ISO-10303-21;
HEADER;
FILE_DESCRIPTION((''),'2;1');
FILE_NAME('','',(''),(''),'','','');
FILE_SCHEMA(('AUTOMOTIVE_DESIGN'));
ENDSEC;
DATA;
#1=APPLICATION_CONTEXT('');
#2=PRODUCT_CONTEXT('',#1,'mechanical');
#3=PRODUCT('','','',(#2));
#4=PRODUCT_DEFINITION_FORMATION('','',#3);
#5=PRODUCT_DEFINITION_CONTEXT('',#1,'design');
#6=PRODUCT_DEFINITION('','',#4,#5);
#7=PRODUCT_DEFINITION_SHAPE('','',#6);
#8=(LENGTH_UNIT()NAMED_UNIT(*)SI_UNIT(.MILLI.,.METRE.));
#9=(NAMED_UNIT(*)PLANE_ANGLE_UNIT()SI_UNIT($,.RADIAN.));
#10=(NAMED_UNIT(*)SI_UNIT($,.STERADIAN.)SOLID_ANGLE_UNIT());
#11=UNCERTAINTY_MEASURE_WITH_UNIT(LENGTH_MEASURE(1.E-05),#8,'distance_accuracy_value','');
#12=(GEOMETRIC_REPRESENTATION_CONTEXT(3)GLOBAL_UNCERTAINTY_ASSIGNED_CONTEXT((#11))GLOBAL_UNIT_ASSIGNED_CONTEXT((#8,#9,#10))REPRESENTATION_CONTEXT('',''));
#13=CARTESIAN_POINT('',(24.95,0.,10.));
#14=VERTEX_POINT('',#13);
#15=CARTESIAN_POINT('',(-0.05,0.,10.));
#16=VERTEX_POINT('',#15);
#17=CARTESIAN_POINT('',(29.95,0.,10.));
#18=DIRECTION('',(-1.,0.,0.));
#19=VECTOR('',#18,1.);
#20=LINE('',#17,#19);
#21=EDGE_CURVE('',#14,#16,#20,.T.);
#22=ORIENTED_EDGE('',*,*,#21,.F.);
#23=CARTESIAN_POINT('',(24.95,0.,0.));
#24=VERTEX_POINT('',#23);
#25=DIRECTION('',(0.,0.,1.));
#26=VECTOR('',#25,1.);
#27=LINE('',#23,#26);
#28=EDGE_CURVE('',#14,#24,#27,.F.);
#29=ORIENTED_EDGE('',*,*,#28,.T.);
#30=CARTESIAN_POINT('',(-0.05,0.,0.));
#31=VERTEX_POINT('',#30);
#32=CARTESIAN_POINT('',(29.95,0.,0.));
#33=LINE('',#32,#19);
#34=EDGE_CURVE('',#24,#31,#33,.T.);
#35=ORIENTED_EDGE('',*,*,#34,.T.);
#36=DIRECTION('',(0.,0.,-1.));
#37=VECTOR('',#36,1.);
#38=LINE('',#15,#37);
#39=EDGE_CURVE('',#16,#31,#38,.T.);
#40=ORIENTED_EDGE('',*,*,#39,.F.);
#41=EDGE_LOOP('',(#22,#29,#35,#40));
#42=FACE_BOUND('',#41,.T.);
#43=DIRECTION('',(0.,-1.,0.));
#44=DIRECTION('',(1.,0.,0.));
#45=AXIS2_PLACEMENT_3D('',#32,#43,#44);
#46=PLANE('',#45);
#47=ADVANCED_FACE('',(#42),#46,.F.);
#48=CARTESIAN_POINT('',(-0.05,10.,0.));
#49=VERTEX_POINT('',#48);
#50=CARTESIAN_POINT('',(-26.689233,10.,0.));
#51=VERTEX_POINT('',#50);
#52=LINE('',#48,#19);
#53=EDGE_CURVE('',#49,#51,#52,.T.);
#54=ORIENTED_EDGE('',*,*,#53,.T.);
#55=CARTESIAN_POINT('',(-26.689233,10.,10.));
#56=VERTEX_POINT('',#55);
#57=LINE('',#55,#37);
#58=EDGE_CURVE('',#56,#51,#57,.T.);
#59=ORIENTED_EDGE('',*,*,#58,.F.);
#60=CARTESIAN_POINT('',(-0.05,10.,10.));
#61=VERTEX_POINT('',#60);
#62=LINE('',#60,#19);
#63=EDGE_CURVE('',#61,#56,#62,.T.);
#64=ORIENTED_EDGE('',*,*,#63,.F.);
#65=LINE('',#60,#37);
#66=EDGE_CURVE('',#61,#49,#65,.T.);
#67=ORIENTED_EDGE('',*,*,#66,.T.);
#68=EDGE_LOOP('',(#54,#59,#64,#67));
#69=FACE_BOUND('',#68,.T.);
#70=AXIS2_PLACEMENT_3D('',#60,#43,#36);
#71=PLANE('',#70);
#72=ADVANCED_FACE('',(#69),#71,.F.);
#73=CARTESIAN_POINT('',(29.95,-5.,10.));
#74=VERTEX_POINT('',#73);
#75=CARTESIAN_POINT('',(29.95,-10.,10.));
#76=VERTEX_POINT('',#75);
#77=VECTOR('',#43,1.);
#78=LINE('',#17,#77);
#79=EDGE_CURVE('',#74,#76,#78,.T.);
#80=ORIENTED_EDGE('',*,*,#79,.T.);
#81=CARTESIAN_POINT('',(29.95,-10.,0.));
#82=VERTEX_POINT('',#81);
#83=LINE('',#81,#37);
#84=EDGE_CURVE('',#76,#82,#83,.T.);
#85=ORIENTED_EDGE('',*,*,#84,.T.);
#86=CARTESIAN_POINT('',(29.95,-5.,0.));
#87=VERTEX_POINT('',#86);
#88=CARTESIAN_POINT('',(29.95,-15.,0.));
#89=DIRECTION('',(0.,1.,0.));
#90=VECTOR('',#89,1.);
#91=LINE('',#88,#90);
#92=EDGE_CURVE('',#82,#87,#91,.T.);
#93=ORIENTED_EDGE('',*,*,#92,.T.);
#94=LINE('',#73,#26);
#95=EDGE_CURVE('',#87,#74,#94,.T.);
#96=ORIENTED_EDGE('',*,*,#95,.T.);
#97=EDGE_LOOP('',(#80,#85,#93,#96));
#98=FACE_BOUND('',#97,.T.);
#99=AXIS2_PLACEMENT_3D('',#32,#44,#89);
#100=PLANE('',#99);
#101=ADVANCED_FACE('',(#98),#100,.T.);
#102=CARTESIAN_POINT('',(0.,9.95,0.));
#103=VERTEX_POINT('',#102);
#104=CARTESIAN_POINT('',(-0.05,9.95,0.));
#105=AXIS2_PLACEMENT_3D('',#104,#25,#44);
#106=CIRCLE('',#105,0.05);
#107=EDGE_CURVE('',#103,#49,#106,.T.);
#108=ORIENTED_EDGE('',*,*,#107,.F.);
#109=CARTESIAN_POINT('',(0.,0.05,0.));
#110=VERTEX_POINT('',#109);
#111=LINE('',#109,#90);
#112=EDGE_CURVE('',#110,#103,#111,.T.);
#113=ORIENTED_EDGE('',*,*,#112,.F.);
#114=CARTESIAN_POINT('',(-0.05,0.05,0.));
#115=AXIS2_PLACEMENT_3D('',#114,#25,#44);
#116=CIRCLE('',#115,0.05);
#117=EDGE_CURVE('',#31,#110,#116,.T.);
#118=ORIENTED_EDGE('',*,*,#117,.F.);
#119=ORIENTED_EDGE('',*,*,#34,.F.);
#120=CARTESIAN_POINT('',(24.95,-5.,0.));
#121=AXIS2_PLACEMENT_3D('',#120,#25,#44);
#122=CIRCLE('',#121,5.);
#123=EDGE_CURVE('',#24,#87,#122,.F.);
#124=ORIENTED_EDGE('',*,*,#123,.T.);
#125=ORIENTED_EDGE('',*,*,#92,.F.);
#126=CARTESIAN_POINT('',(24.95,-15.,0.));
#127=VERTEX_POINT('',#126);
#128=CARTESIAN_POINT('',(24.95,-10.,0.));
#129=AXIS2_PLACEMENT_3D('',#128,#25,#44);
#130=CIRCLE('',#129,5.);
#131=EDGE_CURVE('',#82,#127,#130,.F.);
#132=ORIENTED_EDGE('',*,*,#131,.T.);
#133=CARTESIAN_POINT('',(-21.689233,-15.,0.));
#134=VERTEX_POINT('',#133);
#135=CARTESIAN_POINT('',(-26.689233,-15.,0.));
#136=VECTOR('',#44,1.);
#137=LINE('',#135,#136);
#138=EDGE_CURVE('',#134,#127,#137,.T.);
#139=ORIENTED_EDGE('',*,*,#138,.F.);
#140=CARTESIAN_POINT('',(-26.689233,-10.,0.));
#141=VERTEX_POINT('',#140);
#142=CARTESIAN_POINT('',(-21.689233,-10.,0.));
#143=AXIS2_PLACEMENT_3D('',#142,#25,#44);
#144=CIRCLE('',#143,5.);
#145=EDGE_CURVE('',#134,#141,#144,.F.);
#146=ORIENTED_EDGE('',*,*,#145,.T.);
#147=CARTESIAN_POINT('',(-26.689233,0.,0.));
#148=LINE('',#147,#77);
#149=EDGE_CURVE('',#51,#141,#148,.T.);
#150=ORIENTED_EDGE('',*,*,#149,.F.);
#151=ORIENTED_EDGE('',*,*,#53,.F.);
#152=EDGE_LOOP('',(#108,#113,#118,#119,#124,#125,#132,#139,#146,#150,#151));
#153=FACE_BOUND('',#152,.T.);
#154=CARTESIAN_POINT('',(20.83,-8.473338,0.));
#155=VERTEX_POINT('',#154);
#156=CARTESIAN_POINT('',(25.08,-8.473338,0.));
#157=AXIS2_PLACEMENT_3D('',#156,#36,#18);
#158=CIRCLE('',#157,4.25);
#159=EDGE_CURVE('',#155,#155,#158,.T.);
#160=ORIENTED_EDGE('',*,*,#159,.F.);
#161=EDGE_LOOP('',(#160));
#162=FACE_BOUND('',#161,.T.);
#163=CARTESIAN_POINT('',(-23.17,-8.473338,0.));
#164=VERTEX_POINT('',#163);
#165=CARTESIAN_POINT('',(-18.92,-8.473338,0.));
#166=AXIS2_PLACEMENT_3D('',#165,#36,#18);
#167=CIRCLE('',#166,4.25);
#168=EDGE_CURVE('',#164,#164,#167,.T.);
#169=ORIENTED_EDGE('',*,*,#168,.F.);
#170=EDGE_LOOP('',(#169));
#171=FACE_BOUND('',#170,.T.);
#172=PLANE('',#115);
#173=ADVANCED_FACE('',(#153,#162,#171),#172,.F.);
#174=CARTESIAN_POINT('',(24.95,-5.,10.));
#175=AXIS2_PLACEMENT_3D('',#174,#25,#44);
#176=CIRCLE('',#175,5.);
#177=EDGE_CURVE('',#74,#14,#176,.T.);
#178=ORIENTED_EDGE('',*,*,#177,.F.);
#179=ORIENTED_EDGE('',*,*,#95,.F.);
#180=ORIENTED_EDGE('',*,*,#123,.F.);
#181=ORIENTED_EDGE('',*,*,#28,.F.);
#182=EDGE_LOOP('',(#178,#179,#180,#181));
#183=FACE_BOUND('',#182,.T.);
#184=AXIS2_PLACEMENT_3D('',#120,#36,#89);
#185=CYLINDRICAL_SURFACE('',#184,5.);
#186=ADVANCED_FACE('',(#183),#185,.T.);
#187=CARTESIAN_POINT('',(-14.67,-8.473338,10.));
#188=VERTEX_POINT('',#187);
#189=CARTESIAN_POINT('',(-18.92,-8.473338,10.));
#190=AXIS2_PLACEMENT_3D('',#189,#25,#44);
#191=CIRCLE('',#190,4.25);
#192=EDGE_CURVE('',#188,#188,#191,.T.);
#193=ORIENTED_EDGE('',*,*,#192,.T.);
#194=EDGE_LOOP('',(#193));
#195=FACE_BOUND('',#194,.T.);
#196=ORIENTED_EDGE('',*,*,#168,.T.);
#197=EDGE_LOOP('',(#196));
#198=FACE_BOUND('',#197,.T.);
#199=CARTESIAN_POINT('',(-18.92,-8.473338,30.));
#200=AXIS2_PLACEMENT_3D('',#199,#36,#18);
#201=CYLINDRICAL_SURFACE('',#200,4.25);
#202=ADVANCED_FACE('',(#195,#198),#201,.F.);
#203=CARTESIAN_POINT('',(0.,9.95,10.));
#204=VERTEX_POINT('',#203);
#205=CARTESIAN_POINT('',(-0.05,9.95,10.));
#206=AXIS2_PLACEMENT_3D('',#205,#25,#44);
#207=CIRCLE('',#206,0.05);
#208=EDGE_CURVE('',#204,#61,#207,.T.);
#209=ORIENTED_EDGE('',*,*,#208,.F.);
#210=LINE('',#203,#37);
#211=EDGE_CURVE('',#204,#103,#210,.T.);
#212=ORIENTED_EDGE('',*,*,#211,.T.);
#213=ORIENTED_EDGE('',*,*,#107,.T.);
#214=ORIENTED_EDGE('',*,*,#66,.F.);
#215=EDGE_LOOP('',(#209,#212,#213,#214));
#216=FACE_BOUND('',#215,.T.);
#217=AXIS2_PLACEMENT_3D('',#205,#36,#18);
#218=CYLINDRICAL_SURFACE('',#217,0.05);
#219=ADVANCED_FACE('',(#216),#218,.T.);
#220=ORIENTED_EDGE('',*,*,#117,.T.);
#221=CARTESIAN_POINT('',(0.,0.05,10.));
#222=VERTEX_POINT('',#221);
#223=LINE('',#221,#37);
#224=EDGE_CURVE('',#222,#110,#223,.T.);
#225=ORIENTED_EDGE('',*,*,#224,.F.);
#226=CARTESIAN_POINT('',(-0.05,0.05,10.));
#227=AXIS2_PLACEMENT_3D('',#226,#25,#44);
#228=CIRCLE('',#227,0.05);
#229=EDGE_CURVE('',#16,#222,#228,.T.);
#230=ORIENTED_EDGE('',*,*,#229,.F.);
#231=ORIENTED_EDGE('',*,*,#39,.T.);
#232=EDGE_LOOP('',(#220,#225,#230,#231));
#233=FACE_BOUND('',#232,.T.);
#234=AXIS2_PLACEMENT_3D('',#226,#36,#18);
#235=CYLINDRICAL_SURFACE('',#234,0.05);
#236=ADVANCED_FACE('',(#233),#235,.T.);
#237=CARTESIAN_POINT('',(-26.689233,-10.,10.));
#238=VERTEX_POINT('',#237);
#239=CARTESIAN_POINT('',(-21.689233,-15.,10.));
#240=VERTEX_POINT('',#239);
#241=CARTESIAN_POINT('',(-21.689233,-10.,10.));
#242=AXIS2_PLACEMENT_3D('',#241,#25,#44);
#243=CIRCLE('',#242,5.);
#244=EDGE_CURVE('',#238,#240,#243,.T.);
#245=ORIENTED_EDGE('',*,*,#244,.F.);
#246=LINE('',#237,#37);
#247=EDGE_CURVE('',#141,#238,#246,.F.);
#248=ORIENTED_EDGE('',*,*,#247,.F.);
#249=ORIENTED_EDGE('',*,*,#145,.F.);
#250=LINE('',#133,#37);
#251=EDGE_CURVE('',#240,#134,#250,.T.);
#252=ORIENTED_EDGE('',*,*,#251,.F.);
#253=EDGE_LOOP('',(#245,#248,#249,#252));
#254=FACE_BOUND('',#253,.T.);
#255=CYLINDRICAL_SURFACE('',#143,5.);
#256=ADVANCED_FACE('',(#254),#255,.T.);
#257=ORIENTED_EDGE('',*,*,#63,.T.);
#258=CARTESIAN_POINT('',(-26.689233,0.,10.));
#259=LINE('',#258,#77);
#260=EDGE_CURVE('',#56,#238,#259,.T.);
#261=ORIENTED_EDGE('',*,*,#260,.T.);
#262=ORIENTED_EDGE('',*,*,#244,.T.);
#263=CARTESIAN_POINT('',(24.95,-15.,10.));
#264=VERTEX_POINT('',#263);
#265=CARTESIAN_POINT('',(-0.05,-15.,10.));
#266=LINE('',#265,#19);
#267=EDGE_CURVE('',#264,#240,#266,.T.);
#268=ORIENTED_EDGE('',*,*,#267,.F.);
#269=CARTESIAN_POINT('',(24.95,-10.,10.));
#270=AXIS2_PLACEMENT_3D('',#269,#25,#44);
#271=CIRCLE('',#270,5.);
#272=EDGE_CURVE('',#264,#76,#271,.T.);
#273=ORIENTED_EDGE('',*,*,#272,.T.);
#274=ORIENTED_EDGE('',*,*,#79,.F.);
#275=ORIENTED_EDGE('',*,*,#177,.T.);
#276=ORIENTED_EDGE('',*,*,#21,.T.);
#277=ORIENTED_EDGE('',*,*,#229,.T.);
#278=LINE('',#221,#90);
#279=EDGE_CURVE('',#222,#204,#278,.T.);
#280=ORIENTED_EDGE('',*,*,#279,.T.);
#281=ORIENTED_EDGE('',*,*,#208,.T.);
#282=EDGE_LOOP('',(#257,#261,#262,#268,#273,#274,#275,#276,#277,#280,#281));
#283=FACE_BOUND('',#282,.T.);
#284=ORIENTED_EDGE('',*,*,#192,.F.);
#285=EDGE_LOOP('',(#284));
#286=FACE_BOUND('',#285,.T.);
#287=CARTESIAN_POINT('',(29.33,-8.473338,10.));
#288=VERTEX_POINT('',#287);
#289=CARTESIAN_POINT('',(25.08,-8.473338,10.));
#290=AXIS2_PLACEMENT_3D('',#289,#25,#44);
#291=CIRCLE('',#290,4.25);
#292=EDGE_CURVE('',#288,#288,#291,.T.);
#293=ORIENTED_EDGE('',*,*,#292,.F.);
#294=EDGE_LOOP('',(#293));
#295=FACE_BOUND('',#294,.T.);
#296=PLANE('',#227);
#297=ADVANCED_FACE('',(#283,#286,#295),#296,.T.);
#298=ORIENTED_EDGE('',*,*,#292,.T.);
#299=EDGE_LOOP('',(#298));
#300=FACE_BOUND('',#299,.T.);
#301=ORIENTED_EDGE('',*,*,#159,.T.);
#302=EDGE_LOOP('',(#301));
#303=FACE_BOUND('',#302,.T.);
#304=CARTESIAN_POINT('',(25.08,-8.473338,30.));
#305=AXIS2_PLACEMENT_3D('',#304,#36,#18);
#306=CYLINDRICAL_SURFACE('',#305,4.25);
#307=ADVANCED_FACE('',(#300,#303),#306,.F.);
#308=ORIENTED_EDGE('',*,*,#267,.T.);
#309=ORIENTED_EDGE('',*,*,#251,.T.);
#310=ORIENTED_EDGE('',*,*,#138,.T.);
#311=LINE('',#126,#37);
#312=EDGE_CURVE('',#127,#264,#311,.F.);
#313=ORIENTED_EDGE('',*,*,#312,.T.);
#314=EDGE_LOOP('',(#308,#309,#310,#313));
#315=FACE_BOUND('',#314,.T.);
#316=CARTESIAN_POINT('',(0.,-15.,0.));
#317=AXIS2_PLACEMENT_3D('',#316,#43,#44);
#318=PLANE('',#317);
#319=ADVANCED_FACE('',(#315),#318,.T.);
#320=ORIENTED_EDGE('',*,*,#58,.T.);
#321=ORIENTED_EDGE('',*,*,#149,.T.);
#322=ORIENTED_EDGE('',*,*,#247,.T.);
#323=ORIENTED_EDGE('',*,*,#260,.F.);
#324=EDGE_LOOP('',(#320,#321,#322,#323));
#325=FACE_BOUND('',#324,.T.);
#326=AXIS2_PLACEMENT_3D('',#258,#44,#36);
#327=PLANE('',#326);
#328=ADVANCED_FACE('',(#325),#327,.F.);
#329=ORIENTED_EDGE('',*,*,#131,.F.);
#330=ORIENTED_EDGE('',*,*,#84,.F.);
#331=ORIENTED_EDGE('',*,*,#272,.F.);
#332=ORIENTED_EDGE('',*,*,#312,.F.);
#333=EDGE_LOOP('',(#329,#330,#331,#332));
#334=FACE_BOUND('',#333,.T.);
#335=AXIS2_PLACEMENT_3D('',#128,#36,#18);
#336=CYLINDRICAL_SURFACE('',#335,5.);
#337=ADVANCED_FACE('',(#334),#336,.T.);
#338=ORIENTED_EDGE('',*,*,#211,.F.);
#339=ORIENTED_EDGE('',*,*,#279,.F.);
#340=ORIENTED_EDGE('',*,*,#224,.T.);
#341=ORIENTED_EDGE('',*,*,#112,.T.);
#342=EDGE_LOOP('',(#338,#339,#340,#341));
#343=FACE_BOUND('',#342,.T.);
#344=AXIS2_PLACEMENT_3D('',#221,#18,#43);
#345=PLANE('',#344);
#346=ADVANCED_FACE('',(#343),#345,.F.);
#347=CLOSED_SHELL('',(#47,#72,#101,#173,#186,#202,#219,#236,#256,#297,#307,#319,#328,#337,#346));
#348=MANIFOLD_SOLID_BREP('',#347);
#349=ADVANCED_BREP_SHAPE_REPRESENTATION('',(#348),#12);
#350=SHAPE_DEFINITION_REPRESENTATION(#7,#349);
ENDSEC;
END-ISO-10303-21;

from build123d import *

# Parameters (mm, degrees)
RESSALTO_EXTRUS_O1_DEPTH = 10
ESBO_O2_W                = 26.639233333
ESBO_O2_H                = 10
RESSALTO_EXTRUS_O2_DEPTH = 15
ESBO_O3_W                = 10
ESBO_O3_H                = 15
RESSALTO_EXTRUS_O3_DEPTH = 30
ESBO_O4_R                = 4.25
CORTE_EXTRUS_O1_DEPTH    = 30
FILETE1_R                = 5


with BuildPart() as part:
    # Esboço1 → Ressalto-extrusão1 (new body)
    with BuildSketch(Plane.XY):
        with BuildLine():
            Line((-26.689233333, 0), (-26.689233333, 10))
            Line((-26.689233333, 10), (-0.05, 10))
            ThreePointArc((-0.05, 10), (-0.014644661, 9.985355339), (0, 9.95))
            Line((0, 9.95), (0, 0.05))
            ThreePointArc((0, 0.05), (-0.014644661, 0.014644661), (-0.05, 0))
            Line((-0.05, 0), (-26.689233333, 0))
        make_face()
    extrude(amount=RESSALTO_EXTRUS_O1_DEPTH)

    # Esboço2 → Ressalto-extrusão2 (add)
    with BuildSketch(Plane.XZ):
        with Locations((-13.369616667, 5)):
            Rectangle(ESBO_O2_W, ESBO_O2_H)
    extrude(amount=RESSALTO_EXTRUS_O2_DEPTH)

    # Esboço3 → Ressalto-extrusão3 (add)
    with BuildSketch(Plane(origin=(-0.05, 0, 0), x_dir=(0, 0, -1), z_dir=(1, 0, 0))):
        with Locations((-5, -7.5)):
            Rectangle(ESBO_O3_W, ESBO_O3_H)
    extrude(amount=RESSALTO_EXTRUS_O3_DEPTH)

    # Esboço4 → Corte-extrusão1 (cut)
    with BuildSketch(Plane(origin=(0, 0, 0), x_dir=(-1, 0, 0), z_dir=(0, 0, -1))):
        with Locations((-25.08, -8.473337784)):
            Circle(ESBO_O4_R)
        with Locations((18.92, -8.473337784)):
            Circle(ESBO_O4_R)
    extrude(amount=-CORTE_EXTRUS_O1_DEPTH, mode=Mode.SUBTRACT)

    # Filete1
    filete1_edges = [part.edges().sort_by_distance(p)[0] for p in [
        (-26.689233333, -15, 5),
        (29.95, 0, 5),
        (29.95, -15, 5),
    ]]
    fillet(filete1_edges, radius=FILETE1_R)


solid = part.part
